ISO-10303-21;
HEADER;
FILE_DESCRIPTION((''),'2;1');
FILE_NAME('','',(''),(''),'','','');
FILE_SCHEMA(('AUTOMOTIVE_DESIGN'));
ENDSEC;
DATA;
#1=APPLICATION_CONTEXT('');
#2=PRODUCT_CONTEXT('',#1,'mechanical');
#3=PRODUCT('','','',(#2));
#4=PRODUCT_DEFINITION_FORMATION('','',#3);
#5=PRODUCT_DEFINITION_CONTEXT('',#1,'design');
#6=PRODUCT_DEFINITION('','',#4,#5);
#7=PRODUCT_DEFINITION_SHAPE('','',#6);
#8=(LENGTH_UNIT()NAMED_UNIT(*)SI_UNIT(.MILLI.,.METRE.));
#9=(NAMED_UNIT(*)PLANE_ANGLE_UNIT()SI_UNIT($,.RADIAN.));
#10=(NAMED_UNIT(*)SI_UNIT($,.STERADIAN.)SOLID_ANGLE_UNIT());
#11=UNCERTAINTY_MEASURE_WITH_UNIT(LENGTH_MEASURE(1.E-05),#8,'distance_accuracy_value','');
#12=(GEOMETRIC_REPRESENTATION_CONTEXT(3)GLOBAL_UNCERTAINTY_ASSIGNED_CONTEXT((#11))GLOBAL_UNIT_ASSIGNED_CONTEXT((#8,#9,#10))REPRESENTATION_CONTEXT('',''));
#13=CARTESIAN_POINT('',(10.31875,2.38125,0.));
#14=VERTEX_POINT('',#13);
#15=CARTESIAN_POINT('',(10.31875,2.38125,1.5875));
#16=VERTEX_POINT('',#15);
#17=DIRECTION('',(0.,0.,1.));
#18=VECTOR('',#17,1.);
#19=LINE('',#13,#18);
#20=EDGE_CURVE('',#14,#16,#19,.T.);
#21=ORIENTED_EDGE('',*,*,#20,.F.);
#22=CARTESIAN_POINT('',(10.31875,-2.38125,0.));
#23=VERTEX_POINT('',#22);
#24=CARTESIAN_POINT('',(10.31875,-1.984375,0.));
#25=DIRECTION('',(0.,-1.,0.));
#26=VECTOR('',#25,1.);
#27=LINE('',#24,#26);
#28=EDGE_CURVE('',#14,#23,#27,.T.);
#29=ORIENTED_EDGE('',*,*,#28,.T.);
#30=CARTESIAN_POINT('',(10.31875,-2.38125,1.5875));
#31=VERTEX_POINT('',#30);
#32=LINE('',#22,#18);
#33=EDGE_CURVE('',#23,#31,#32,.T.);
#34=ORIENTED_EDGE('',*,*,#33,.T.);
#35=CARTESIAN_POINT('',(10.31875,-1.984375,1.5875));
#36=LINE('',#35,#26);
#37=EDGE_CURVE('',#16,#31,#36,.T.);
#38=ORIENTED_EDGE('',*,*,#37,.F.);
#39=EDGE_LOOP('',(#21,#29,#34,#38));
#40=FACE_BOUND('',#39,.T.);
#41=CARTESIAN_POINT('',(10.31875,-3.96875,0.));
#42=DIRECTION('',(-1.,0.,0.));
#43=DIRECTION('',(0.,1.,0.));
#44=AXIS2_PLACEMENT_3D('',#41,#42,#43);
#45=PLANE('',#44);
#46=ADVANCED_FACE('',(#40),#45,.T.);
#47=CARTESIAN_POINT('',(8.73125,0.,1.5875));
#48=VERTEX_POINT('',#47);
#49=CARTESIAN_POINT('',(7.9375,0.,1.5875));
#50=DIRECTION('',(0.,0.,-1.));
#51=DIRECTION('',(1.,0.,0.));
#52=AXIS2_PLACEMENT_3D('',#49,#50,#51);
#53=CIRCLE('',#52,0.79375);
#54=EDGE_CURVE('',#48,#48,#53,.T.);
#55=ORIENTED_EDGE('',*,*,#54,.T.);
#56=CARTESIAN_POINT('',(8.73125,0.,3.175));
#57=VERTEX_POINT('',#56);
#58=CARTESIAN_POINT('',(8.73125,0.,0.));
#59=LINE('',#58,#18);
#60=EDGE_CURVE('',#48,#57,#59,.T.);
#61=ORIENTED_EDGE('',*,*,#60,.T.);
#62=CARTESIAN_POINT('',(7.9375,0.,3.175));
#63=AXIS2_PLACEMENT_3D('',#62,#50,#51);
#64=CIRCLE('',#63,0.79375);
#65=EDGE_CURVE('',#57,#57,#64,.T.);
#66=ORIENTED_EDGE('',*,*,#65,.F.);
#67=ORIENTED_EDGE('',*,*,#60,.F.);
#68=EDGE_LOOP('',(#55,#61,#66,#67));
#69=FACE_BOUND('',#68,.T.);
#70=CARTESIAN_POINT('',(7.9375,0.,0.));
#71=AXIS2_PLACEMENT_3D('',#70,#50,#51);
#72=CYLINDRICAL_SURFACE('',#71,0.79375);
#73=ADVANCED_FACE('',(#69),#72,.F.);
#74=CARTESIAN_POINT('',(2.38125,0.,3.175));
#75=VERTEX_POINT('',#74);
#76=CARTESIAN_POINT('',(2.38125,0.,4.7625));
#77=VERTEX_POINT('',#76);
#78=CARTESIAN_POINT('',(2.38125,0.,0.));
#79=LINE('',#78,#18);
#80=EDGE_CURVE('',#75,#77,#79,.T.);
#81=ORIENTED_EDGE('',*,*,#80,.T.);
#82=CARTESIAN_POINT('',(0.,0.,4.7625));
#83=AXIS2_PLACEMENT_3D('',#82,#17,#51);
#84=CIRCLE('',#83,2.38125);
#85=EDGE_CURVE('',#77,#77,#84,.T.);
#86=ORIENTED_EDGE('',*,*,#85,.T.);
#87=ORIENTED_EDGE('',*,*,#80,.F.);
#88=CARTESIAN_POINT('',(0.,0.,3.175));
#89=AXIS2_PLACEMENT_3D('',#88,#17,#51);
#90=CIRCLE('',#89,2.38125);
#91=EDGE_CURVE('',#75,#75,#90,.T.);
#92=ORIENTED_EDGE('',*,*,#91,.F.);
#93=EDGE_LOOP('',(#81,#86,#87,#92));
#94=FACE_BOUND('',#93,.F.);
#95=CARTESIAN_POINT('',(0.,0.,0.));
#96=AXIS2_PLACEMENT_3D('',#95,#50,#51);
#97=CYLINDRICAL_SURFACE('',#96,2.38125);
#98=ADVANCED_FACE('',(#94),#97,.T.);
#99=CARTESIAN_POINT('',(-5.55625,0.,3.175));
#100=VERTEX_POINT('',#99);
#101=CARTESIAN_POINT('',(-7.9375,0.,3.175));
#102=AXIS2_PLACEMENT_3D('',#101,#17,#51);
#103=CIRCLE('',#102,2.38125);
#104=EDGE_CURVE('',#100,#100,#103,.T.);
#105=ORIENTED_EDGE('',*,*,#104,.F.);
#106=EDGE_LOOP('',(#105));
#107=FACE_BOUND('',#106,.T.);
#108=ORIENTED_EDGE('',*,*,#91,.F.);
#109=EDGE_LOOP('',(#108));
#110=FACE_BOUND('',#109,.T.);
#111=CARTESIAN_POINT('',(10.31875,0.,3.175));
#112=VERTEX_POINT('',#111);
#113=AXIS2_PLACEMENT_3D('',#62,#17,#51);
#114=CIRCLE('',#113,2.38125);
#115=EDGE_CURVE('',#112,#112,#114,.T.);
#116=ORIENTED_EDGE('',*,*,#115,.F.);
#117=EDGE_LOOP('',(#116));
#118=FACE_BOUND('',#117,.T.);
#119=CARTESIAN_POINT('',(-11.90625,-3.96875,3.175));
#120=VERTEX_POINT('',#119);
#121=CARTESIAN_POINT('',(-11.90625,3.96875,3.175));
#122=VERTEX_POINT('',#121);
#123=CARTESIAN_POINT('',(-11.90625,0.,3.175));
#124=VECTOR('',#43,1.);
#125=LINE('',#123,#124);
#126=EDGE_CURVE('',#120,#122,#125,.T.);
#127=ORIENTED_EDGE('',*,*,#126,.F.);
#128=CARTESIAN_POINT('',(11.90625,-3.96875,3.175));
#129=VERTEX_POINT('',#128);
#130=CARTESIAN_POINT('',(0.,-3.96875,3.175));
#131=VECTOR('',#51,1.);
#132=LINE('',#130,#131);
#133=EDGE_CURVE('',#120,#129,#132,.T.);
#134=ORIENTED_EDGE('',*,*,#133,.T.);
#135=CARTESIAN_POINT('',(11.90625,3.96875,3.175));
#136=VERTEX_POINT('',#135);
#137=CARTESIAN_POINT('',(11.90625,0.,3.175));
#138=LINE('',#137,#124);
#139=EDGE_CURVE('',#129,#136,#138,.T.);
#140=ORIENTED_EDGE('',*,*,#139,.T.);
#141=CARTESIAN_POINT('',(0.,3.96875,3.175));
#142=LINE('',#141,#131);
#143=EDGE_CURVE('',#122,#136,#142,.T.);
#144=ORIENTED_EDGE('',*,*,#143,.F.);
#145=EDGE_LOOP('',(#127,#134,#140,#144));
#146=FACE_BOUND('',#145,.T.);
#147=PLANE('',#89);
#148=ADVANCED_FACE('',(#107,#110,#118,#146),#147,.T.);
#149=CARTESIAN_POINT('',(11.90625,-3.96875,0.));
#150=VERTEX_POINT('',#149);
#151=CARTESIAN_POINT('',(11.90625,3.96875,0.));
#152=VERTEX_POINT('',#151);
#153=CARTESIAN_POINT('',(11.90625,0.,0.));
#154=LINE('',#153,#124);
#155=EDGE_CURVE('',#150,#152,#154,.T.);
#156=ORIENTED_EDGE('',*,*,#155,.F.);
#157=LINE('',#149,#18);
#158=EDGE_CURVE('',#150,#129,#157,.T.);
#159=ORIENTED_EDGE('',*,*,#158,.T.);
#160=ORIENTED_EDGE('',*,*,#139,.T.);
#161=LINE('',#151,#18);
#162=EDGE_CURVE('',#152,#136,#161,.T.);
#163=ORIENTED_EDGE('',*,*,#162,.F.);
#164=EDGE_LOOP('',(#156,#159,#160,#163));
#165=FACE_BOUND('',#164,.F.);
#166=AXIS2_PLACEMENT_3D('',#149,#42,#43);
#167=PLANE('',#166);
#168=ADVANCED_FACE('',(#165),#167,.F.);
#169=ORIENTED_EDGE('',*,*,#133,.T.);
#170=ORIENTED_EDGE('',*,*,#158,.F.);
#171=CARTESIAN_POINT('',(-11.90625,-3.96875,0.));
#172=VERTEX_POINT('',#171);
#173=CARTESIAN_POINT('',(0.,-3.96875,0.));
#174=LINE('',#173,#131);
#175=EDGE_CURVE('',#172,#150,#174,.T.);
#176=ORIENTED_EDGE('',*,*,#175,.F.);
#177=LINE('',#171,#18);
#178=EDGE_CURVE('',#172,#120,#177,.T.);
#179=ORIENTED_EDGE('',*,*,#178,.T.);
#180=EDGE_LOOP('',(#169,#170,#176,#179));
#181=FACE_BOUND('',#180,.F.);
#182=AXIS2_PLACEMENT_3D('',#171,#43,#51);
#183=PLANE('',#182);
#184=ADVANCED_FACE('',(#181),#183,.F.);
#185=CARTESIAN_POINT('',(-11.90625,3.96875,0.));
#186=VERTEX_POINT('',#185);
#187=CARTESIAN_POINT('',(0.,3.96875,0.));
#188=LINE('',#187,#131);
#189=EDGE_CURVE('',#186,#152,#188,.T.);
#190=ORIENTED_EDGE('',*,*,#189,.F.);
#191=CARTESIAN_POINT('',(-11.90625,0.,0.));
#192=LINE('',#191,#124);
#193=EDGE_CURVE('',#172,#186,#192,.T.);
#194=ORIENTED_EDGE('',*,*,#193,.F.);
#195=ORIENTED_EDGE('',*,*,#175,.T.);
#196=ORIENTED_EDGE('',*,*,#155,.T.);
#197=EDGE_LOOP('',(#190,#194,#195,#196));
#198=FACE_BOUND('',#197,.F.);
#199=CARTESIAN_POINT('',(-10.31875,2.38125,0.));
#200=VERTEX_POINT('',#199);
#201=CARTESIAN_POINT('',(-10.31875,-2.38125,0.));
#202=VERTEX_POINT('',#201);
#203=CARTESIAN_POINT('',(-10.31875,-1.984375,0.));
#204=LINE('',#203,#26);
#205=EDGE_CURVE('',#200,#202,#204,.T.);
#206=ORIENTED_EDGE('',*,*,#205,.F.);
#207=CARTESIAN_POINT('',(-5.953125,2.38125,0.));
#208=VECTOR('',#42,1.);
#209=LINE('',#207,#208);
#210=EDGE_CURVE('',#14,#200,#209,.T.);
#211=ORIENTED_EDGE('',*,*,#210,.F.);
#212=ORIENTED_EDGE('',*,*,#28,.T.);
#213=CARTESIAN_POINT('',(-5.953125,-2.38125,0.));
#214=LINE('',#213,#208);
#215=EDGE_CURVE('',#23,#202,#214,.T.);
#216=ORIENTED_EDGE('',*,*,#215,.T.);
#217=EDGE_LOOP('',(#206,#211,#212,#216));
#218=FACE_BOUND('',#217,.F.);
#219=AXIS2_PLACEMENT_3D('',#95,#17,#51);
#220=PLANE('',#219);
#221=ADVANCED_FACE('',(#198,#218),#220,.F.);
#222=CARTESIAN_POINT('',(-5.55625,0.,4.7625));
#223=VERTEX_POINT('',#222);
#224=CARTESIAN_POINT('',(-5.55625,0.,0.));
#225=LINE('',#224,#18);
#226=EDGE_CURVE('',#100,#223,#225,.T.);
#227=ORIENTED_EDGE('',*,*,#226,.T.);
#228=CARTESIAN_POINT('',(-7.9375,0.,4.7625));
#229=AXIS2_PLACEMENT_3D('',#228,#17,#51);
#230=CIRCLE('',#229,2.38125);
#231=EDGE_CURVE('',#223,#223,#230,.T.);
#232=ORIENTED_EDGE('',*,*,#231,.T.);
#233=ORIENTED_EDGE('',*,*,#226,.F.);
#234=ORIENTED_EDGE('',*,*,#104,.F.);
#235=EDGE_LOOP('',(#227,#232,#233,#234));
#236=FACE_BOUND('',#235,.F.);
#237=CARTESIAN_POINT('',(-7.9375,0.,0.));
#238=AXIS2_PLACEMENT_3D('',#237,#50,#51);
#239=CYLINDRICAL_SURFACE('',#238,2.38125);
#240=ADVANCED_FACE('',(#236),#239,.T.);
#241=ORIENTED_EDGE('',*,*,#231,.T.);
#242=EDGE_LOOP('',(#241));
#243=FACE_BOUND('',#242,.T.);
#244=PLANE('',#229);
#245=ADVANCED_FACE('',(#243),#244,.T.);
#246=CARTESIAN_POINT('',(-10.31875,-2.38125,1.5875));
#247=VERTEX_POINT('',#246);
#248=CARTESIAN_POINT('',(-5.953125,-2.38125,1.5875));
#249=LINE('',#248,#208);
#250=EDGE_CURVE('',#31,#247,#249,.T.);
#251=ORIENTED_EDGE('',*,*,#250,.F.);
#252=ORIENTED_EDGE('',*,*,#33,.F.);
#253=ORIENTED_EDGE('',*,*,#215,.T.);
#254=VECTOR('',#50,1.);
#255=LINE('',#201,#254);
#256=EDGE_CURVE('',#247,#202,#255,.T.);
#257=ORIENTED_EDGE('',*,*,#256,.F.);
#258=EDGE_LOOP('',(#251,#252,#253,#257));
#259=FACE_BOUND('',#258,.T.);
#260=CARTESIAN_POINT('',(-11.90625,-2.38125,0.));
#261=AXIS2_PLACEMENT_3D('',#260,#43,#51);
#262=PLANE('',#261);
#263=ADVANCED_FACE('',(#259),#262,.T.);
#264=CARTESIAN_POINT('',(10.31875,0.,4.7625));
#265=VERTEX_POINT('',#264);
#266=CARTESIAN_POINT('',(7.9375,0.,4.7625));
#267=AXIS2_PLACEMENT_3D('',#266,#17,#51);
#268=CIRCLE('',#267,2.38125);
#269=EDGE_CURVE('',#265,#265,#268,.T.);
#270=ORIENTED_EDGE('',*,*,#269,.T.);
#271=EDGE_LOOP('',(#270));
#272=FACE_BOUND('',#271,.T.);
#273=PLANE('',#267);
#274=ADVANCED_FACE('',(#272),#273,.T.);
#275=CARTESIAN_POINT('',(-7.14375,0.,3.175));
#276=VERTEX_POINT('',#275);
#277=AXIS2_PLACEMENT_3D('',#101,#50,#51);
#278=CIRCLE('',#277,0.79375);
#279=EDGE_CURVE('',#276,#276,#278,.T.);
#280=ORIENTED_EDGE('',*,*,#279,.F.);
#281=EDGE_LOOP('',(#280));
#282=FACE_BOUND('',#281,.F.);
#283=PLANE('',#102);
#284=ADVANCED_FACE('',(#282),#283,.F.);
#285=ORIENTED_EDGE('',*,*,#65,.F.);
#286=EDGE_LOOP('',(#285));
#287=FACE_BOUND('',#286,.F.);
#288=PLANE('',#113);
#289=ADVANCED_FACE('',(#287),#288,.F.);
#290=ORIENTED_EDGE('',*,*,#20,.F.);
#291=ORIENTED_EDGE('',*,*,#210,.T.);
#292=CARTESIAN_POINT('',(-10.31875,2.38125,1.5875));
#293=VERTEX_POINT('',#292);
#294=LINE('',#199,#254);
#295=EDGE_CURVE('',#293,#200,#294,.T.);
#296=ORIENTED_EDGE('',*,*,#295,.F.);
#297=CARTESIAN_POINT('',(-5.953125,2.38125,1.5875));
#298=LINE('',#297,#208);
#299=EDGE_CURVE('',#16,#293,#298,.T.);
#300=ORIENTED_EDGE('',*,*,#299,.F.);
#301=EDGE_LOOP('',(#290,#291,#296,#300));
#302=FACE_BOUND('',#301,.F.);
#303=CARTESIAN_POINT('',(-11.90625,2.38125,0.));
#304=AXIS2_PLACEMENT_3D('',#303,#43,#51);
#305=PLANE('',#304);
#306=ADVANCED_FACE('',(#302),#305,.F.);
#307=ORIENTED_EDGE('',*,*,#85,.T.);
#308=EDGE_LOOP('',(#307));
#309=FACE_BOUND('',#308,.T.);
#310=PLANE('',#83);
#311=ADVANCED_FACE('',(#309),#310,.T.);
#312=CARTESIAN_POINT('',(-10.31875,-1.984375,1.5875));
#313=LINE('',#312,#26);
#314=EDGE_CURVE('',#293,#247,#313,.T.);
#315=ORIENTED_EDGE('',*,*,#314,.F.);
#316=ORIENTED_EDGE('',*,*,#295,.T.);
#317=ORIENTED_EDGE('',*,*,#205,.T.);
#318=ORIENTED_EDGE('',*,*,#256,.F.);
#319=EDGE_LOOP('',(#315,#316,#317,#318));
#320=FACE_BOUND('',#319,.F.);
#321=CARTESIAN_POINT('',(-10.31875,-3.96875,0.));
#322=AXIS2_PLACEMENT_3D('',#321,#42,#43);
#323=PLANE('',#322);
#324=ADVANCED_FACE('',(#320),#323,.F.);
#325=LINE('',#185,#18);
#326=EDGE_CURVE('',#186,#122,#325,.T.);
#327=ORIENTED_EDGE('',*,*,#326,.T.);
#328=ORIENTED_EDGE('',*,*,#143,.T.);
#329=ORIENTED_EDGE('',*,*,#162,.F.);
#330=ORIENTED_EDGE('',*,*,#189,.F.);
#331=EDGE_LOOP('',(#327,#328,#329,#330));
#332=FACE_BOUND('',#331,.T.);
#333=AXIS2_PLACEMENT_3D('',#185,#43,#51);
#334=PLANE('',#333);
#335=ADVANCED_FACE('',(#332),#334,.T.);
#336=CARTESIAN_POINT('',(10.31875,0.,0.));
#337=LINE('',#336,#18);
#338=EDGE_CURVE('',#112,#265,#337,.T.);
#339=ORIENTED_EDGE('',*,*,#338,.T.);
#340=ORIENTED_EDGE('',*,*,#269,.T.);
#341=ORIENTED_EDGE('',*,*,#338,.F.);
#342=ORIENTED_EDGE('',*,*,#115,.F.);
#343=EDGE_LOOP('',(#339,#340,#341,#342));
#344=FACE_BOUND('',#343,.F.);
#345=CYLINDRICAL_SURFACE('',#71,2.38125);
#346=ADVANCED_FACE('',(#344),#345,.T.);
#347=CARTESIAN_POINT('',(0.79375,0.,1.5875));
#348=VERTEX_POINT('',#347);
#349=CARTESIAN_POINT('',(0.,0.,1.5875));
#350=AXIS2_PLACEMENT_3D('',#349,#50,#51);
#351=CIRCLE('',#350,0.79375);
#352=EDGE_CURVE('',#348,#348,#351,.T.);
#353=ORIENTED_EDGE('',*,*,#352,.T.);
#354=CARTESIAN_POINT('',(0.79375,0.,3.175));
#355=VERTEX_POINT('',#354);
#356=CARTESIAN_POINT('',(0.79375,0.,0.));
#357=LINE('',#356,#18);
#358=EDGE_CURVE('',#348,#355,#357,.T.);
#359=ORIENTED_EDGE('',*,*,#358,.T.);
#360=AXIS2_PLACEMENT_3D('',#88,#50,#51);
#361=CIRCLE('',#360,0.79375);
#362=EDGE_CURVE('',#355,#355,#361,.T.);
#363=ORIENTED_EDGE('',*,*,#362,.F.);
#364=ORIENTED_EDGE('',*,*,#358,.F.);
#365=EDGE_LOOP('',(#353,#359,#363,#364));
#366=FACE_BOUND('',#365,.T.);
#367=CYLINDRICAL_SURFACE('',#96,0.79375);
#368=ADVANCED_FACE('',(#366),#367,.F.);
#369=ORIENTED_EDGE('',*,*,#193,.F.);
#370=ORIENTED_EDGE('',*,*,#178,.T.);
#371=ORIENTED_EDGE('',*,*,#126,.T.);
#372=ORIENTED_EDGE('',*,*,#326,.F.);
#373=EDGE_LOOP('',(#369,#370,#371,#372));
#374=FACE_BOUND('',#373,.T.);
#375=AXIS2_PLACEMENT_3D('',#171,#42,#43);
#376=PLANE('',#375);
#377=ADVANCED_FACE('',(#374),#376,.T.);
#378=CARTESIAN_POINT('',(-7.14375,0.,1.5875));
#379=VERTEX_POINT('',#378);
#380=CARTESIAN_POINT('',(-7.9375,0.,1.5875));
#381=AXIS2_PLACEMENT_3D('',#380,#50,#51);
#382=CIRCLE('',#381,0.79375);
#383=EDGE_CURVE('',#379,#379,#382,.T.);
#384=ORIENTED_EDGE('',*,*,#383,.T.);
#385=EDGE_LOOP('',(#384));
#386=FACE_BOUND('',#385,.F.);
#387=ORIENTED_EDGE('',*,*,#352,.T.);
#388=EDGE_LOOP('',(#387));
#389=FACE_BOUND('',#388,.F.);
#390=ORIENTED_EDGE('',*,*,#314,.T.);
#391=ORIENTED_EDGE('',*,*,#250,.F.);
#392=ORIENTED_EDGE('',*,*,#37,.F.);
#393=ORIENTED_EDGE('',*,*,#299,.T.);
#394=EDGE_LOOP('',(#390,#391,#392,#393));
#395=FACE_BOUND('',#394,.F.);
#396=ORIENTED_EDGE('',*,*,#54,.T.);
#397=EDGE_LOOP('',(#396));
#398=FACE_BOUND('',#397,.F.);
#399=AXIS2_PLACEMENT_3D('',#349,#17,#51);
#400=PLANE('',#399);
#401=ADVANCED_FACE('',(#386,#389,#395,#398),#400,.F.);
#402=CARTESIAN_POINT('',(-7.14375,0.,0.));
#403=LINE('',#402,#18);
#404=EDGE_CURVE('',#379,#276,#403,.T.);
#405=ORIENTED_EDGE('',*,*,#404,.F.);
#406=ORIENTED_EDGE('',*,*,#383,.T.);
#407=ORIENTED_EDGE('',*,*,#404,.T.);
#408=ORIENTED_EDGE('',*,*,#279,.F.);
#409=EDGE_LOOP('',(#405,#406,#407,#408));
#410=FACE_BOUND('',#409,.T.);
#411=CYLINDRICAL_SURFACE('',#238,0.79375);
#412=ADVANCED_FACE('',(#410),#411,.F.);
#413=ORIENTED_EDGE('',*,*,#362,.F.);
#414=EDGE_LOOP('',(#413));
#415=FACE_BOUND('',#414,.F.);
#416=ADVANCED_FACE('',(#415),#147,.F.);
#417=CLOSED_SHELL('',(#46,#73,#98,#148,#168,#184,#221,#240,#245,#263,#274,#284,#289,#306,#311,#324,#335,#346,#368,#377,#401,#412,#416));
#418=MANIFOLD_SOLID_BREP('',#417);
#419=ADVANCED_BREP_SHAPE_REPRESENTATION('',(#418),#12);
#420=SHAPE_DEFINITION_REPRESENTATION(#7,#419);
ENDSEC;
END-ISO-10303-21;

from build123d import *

# Parameters (mm, degrees)
F0_W     = 23.8125
F0_H     = 7.9375
F0_R     = 2.38125
F1_DEPTH = 3.175
F2_DEPTH = 4.7625
F3_T     = -1.5875


with BuildPart() as f1:
    # F0 (on Top) → F1 (new body)
    with BuildSketch(Plane.XY):
        Rectangle(F0_W, F0_H)
        with Locations((-7.9375, 0)):
            Circle(F0_R, mode=Mode.SUBTRACT)
        Circle(F0_R, mode=Mode.SUBTRACT)
        with Locations((7.9375, 0)):
            Circle(F0_R, mode=Mode.SUBTRACT)
    extrude(amount=F1_DEPTH)

    # F0 (on Top) → F2 (join)
    with BuildSketch(Plane.XY):
        with Locations((-7.9375, 0)):
            Circle(F0_R)
        Circle(F0_R)
        with Locations((7.9375, 0)):
            Circle(F0_R)
    extrude(amount=F2_DEPTH)

    # F3
    f3_openings = [f1.faces().sort_by_distance(p)[0] for p in [
        (0, 0, 0),
    ]]
    offset(amount=F3_T, openings=f3_openings, kind=Kind.INTERSECTION)


solid = f1.part
